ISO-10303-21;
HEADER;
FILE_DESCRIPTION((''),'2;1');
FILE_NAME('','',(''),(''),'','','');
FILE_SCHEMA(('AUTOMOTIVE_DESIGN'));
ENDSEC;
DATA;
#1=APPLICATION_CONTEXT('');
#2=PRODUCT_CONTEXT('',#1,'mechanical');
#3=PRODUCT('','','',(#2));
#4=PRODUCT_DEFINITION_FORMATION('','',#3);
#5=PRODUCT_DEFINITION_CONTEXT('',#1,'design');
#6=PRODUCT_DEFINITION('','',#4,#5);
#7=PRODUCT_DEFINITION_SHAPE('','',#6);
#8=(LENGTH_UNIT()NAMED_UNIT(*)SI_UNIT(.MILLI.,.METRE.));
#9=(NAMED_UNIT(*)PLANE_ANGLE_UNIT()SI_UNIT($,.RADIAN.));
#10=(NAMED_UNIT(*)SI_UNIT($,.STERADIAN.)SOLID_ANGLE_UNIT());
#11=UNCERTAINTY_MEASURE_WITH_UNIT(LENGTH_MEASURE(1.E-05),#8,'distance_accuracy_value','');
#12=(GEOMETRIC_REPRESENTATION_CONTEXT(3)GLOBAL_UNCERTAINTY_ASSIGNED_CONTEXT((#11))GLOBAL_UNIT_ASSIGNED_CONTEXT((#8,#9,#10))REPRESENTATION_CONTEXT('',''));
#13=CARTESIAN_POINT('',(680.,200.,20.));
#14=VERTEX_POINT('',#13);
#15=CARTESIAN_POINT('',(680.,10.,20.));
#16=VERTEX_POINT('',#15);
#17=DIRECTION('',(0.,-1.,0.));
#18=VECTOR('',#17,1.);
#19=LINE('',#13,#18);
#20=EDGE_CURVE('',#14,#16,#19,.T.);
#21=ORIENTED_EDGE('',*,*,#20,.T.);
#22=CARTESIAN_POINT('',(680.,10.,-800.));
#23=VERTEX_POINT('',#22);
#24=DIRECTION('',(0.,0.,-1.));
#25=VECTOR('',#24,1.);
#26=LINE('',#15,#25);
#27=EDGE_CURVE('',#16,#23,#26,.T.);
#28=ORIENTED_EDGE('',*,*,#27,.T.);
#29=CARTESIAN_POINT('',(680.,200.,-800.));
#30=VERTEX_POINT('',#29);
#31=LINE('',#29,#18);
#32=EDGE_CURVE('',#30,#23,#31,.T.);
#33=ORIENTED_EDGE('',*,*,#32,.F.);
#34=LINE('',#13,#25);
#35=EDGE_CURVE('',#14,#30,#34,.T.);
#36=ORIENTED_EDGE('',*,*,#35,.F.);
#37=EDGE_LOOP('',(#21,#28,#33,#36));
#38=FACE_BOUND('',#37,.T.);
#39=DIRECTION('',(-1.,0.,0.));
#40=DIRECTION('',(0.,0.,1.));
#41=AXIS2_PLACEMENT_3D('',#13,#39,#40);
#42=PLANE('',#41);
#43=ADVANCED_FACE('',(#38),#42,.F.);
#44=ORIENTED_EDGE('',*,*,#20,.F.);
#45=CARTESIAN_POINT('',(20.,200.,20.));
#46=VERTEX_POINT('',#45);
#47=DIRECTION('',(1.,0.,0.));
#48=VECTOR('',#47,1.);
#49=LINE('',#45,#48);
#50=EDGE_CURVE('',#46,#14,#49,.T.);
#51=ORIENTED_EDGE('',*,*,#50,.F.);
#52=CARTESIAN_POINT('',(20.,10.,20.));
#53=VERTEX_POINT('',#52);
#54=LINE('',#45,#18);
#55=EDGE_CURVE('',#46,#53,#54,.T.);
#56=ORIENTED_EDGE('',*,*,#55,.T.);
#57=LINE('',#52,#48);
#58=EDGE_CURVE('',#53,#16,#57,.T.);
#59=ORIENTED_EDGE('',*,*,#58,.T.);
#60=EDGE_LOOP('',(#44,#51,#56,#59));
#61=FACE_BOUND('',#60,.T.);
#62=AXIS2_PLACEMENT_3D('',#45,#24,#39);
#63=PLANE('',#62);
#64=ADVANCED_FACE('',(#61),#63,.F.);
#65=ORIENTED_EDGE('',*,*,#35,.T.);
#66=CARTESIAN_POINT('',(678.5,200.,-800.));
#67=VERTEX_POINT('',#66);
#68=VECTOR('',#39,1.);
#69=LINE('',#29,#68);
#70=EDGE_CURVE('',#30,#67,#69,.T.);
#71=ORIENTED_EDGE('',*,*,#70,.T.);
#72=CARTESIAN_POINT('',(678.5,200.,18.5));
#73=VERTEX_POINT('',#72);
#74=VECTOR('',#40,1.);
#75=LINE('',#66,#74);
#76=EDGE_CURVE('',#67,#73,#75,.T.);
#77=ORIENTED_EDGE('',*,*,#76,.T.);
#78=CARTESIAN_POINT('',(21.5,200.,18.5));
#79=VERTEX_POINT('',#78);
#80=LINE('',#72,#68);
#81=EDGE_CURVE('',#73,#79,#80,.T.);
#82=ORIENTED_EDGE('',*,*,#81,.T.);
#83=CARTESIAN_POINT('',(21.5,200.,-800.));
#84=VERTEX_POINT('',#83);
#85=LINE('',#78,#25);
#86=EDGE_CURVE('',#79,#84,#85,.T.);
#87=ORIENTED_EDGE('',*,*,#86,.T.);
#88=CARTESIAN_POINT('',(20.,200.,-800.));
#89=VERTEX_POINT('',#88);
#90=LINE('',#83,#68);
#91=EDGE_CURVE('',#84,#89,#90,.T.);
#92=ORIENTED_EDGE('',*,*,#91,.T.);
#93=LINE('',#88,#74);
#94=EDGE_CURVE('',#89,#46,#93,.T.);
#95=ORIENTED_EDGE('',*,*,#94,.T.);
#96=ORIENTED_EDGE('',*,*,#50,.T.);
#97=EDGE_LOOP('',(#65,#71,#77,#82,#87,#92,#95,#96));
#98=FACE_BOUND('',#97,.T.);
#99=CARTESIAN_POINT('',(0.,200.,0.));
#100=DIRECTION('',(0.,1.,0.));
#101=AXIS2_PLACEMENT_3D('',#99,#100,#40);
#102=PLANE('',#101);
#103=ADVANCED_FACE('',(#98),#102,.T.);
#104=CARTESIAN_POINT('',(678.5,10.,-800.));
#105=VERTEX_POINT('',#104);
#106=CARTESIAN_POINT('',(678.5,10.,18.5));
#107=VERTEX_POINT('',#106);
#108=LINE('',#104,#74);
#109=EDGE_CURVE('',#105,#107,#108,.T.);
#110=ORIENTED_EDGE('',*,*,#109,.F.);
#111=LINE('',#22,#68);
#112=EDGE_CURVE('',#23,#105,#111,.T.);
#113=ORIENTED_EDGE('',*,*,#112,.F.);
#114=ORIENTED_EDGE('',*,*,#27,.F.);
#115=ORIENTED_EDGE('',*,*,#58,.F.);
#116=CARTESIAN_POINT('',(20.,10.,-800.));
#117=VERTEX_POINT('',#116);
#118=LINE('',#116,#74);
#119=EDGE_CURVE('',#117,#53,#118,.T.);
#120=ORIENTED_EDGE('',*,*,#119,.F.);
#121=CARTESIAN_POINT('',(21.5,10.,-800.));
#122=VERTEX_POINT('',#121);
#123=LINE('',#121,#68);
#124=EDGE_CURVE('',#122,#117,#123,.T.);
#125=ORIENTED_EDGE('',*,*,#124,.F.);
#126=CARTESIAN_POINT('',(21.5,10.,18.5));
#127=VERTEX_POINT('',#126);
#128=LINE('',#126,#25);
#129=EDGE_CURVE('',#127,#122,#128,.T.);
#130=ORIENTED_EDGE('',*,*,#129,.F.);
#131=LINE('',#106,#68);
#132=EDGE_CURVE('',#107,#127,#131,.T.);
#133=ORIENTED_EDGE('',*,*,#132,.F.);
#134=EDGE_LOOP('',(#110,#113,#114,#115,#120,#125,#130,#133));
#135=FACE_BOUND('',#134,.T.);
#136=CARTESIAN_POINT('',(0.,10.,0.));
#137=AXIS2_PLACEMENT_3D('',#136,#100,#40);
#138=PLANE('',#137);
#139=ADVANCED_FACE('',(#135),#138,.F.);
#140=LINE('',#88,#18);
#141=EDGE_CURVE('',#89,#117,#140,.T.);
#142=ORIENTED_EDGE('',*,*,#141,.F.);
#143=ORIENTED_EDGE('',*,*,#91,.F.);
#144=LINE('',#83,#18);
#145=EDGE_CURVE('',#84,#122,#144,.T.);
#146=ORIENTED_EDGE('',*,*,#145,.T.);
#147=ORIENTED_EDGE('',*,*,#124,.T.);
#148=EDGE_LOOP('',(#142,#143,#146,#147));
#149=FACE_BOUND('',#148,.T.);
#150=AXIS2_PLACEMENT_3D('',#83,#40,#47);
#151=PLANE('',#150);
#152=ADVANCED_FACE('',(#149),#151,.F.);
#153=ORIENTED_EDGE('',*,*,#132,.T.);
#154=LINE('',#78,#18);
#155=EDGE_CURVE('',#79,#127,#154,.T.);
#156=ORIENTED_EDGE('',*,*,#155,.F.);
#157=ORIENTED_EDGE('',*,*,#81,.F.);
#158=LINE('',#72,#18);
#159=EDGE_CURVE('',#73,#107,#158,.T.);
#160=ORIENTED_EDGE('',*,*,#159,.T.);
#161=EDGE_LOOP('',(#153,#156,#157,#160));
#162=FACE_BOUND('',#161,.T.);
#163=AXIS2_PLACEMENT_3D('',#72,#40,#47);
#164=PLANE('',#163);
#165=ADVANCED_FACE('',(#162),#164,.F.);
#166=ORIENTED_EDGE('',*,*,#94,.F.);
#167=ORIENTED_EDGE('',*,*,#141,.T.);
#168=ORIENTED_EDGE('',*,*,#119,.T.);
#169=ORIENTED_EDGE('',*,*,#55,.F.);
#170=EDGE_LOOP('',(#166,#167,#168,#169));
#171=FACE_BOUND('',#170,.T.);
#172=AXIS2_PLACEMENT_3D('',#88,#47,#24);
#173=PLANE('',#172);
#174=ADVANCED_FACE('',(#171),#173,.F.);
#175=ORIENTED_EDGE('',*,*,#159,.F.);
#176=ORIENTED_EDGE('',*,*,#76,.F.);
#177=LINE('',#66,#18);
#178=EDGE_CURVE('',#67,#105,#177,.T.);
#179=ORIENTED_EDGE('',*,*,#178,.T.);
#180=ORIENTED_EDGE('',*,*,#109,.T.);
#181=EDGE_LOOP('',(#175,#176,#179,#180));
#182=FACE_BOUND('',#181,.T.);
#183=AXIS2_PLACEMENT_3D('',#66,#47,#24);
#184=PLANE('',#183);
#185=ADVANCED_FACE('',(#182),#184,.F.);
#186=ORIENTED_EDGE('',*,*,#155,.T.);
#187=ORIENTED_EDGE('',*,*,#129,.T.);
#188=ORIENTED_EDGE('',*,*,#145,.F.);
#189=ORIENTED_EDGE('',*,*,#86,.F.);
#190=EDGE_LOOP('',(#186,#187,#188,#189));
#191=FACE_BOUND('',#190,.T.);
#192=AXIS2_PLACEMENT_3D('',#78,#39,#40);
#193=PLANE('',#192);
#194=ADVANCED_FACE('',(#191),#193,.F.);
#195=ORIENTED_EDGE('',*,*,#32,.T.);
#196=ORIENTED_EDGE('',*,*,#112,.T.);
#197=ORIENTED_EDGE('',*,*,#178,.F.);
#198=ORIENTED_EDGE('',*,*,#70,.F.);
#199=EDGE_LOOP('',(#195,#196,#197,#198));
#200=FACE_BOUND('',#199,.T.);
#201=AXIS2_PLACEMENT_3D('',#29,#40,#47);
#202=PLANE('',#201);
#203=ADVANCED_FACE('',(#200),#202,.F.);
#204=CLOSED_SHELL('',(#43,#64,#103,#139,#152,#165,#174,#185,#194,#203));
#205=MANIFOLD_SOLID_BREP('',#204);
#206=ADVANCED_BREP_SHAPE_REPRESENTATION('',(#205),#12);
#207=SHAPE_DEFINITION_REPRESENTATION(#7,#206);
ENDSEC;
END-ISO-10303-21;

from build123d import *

# Parameters (mm, degrees)
TOPPING_PLINT_U_1_START = 10
TOPPING_PLINT_U_1_DEPTH = 190


with BuildPart() as part:
    # Sketch1 → TOPPING_plint_U_1 (new body)
    with BuildSketch(Plane(origin=(0, 0, 0), x_dir=(1, 0, 0), z_dir=(0, 1, 0)).offset(TOPPING_PLINT_U_1_START)):
        Polygon((20, 800), (20, -20), (680, -20), (680, 800), (678.5, 800), (678.5, -18.5), (21.5, -18.5), (21.5, 800), align=None)
    extrude(amount=TOPPING_PLINT_U_1_DEPTH)


solid = part.part
